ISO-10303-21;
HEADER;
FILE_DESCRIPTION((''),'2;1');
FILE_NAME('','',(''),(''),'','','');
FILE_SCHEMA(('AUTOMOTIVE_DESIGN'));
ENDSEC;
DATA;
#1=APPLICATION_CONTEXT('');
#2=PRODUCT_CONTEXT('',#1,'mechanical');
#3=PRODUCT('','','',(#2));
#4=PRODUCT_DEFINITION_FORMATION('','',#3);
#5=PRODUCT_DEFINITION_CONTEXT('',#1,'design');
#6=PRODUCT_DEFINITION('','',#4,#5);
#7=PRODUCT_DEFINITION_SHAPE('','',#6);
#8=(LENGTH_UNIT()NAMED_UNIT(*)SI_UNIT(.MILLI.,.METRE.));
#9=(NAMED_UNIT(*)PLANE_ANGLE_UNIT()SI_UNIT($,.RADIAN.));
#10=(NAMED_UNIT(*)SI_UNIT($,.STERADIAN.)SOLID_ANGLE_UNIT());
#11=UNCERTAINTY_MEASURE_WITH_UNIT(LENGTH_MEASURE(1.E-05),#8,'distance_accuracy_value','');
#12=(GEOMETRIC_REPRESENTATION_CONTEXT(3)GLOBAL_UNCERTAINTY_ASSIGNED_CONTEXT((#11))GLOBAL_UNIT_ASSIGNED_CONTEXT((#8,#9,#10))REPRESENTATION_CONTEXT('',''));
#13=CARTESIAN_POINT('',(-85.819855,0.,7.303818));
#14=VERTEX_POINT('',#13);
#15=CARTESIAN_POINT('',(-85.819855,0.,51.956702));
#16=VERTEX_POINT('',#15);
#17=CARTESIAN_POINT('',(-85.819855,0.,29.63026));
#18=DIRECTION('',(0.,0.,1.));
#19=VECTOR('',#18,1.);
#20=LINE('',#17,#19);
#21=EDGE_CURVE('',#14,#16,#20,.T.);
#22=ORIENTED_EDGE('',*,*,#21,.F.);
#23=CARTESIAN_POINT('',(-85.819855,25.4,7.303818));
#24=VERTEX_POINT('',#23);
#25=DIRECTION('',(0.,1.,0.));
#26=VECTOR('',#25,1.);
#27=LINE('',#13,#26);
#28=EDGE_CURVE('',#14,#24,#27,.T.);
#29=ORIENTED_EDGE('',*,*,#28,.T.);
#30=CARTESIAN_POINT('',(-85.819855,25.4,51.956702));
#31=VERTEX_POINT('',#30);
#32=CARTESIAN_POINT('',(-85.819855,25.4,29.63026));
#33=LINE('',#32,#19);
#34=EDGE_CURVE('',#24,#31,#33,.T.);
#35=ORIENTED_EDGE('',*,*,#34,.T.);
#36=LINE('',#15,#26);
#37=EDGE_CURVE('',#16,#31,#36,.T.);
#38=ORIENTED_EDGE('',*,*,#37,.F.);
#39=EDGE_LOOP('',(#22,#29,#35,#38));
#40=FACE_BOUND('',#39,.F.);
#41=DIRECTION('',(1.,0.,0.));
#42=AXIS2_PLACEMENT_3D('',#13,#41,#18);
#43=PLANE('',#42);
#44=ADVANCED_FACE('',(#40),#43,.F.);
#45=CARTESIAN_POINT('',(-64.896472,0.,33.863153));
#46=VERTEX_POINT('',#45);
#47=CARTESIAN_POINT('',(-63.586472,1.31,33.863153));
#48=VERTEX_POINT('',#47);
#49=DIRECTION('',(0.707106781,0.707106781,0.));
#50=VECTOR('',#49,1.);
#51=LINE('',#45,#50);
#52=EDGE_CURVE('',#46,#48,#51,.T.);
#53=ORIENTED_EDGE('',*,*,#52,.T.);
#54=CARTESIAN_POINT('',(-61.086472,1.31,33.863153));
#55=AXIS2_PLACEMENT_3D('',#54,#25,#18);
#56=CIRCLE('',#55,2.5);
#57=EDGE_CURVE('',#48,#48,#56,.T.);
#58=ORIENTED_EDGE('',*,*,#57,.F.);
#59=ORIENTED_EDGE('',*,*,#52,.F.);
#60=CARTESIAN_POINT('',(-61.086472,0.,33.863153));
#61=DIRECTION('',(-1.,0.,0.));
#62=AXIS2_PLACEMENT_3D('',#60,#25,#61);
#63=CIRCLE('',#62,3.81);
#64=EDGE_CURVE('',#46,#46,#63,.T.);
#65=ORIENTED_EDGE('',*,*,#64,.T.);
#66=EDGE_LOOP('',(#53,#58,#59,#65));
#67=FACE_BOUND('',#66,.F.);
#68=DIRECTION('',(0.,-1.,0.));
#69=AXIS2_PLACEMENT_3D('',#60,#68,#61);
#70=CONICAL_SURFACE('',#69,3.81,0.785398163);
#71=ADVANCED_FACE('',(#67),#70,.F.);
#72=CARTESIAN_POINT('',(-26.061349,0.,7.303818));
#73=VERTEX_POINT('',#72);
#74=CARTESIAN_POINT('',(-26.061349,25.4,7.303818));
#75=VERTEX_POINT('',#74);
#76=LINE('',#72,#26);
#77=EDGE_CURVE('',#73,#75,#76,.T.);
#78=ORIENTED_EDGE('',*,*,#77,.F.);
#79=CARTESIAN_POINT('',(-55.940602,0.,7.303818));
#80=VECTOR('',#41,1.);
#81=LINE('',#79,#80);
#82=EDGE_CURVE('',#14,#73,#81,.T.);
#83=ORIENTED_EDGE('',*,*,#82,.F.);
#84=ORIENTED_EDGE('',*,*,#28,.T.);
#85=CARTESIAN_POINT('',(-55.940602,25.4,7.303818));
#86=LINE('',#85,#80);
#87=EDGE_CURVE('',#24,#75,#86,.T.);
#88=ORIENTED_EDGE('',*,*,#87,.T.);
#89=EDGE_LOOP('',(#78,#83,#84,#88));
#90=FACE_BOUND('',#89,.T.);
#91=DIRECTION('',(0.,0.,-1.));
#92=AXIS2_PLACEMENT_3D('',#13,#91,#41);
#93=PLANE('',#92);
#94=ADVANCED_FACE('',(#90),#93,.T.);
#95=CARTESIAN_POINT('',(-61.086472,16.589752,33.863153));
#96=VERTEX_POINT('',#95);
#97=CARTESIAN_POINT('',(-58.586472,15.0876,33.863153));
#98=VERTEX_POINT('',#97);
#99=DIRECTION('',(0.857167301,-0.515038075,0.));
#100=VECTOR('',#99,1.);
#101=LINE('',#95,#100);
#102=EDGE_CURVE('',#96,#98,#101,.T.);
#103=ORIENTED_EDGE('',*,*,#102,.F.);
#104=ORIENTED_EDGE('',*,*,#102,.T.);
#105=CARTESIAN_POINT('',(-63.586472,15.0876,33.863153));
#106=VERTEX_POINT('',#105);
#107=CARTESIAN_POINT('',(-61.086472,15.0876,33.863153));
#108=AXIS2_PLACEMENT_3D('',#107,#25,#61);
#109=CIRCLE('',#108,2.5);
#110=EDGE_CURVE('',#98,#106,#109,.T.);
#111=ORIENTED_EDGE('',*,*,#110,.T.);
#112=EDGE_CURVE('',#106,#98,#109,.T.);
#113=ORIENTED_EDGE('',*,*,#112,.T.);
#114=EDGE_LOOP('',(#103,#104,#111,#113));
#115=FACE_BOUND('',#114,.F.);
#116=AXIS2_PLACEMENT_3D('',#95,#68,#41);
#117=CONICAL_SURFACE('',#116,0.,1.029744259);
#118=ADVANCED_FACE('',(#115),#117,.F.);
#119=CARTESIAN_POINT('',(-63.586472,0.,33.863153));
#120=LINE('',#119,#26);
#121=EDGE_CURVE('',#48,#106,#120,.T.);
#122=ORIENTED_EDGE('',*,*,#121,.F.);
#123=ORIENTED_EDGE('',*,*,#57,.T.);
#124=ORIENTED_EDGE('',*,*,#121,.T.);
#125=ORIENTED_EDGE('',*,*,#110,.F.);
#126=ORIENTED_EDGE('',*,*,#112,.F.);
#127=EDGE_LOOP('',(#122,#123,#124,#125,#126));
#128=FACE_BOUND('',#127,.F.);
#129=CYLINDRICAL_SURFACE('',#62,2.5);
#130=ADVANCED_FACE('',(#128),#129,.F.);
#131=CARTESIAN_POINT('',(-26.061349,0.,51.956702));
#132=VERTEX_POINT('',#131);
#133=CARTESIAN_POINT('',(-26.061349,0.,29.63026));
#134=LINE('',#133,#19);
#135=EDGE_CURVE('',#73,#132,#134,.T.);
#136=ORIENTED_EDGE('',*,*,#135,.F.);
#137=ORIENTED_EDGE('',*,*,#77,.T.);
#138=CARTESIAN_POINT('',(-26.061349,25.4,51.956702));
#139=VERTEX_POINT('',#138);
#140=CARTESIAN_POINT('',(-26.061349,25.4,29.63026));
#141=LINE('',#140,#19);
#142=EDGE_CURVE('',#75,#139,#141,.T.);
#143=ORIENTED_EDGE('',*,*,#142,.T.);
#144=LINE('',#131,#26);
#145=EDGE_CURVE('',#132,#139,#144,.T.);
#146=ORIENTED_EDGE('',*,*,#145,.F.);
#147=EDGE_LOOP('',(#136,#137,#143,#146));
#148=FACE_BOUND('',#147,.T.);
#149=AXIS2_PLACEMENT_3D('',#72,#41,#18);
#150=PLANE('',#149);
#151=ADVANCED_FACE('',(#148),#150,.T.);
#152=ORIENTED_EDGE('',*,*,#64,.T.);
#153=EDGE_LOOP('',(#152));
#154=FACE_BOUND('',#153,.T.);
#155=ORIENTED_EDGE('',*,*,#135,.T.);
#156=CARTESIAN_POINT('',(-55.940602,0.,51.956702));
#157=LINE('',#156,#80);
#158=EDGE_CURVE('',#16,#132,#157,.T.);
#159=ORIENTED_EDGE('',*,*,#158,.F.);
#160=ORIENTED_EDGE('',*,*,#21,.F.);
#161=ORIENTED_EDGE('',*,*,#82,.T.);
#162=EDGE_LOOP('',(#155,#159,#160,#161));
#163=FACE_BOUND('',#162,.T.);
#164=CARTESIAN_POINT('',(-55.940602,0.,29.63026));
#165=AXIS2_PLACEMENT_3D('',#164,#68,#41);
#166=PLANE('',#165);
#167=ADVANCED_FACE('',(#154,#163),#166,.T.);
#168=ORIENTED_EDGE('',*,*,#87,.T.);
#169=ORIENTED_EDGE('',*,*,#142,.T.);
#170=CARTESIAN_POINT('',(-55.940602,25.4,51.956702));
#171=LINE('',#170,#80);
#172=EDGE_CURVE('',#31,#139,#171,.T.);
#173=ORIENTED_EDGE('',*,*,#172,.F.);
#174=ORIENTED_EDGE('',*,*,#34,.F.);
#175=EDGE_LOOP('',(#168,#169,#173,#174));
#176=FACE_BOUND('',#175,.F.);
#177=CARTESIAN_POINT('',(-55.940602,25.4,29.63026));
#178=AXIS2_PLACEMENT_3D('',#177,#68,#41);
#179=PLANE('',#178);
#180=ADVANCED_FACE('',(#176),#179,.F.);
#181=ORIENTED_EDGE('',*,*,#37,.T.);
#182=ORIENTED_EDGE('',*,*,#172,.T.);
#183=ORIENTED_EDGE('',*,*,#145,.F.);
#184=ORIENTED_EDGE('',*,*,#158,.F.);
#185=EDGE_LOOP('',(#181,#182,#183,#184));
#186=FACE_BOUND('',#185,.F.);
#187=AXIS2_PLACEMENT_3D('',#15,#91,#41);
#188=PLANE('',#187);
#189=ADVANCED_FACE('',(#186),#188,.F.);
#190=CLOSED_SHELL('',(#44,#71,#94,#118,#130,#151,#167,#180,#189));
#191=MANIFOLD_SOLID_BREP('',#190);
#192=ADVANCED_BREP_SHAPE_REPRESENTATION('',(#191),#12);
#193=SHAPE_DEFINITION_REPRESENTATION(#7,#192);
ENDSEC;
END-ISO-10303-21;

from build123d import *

# Parameters (mm, degrees)
F0_W           = 59.7585067153
F0_H           = 44.6528843604
F0_R           = 5.5279344662
F1_DEPTH       = 25.4
F2_D           = 5
F2_DEPTH       = 15.0876
F2_CSINK_D     = 7.62
F2_CSINK_ANGLE = 90
F2_TIP         = 1.5021515476


with BuildPart() as f1:
    # F0 (on Front) → F1 (new body)
    with BuildSketch(Plane.XZ):
        with Locations((-55.9406019747, 29.6302598435)):
            Rectangle(F0_W, F0_H)
        with Locations((-61.0864721239, 33.8631533086)):
            Circle(F0_R, mode=Mode.SUBTRACT)
        with Locations((-61.0864721239, 33.8631533086)):
            Circle(F0_R)
    extrude(amount=-F1_DEPTH)

    # F2
    with Locations(Plane.XZ):
        with Locations((-61.0864721239, 33.8631533086)):
            CounterSinkHole(F2_D / 2, F2_CSINK_D / 2, depth=F2_DEPTH, counter_sink_angle=F2_CSINK_ANGLE)
            with Locations((0, 0, -(F2_DEPTH + F2_TIP / 2))):  # 118° drill point
                Cone(0, F2_D / 2, F2_TIP, mode=Mode.SUBTRACT)


solid = f1.part
